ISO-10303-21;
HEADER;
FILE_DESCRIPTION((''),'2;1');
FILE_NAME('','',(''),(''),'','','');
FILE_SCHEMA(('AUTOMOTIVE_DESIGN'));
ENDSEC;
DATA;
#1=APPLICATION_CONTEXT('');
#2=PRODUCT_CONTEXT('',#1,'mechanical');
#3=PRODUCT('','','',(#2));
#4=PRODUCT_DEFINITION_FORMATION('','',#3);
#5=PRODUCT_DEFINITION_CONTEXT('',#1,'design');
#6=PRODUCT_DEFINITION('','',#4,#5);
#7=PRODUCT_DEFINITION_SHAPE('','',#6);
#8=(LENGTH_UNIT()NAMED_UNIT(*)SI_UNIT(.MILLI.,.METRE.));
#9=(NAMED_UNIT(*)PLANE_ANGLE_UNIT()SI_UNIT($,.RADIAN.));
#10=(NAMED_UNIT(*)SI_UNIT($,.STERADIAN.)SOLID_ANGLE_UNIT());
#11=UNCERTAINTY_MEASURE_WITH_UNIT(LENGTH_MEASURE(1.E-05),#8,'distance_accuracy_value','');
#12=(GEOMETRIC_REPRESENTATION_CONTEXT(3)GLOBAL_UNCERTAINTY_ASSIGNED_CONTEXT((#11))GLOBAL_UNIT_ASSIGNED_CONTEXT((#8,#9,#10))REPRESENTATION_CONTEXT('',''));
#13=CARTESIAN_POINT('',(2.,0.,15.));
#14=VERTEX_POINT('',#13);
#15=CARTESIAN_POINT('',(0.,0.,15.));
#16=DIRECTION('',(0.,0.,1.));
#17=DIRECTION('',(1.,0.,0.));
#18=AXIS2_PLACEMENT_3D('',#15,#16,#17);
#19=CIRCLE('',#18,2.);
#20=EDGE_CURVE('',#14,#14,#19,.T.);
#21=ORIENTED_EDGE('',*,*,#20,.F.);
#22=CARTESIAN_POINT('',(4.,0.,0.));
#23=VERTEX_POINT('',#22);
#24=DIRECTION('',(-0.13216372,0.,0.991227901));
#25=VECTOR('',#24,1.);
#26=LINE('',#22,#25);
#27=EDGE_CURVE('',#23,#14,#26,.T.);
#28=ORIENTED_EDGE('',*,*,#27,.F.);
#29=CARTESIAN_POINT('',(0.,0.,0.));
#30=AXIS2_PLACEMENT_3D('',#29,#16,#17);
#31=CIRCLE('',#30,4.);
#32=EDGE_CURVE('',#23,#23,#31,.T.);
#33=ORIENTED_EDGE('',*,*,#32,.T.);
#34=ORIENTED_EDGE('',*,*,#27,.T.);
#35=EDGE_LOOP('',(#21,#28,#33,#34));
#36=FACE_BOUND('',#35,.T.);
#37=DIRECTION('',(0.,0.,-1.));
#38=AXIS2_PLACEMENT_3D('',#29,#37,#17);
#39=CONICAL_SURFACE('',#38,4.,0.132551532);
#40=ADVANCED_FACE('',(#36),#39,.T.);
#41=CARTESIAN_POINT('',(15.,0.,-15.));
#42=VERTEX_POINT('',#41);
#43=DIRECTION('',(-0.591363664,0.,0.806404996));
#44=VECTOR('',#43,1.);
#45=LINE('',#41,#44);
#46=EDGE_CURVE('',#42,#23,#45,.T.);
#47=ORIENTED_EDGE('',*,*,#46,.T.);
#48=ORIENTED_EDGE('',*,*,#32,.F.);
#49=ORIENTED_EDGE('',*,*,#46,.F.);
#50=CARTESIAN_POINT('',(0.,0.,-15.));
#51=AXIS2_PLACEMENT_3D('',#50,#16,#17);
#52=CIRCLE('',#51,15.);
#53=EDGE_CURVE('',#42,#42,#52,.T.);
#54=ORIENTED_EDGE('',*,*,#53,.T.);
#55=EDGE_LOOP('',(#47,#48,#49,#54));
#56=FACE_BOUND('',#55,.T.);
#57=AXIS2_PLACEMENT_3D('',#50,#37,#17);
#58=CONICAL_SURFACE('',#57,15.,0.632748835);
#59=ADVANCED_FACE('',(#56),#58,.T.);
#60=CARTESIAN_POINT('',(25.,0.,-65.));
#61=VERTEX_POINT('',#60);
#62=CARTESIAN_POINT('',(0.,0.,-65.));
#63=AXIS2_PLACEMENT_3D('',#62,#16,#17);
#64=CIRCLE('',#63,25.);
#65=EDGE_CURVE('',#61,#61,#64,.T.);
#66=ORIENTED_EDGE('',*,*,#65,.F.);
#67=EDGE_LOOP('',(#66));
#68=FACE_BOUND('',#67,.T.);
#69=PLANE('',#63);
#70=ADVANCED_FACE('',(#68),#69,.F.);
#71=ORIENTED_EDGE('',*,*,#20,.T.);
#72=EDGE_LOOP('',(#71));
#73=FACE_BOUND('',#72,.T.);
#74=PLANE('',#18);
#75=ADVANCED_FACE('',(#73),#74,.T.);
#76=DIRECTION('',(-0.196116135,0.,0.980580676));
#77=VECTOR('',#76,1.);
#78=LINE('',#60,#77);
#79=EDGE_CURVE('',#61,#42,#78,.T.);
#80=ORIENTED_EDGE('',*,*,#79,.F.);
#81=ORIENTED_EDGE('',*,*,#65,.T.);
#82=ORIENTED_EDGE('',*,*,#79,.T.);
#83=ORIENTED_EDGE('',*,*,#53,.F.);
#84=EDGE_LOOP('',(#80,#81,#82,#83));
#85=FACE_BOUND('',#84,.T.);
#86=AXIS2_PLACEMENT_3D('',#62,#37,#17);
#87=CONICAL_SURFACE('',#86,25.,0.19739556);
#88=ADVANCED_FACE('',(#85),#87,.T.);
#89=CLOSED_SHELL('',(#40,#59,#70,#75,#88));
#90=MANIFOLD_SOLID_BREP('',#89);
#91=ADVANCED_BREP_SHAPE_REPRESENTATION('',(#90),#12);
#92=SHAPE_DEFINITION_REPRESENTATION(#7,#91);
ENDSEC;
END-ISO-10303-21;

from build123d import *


with BuildPart() as cone001:
    # Cone001 → Cone001 (revolve)
    with BuildSketch(Plane(origin=(0, 0, -15), x_dir=(1, 0, 0), z_dir=(0, -1, 0))):
        Polygon((0, 0), (15, 0), (4, 15), (0, 15), align=None)
    revolve(axis=Axis((0, 0, -15), (0, 0, 1)))


with BuildPart() as cone002:
    # Cone002 → Cone002 (revolve)
    with BuildSketch(Plane(origin=(0, 0, -65), x_dir=(1, 0, 0), z_dir=(0, -1, 0))):
        Polygon((0, 0), (25, 0), (15, 50), (0, 50), align=None)
    revolve(axis=Axis((0, 0, -65), (0, 0, 1)))


with BuildPart() as fusion:
    # Cone → Cone (revolve)
    with BuildSketch(Plane.XZ):
        Polygon((0, 0), (4, 0), (2, 15), (0, 15), align=None)
    revolve(axis=Axis((0, 0, 0), (0, 0, 1)))

    # Fusion: union Cone001, Cone002
    add(cone001.part)
    add(cone002.part)


solid = fusion.part
